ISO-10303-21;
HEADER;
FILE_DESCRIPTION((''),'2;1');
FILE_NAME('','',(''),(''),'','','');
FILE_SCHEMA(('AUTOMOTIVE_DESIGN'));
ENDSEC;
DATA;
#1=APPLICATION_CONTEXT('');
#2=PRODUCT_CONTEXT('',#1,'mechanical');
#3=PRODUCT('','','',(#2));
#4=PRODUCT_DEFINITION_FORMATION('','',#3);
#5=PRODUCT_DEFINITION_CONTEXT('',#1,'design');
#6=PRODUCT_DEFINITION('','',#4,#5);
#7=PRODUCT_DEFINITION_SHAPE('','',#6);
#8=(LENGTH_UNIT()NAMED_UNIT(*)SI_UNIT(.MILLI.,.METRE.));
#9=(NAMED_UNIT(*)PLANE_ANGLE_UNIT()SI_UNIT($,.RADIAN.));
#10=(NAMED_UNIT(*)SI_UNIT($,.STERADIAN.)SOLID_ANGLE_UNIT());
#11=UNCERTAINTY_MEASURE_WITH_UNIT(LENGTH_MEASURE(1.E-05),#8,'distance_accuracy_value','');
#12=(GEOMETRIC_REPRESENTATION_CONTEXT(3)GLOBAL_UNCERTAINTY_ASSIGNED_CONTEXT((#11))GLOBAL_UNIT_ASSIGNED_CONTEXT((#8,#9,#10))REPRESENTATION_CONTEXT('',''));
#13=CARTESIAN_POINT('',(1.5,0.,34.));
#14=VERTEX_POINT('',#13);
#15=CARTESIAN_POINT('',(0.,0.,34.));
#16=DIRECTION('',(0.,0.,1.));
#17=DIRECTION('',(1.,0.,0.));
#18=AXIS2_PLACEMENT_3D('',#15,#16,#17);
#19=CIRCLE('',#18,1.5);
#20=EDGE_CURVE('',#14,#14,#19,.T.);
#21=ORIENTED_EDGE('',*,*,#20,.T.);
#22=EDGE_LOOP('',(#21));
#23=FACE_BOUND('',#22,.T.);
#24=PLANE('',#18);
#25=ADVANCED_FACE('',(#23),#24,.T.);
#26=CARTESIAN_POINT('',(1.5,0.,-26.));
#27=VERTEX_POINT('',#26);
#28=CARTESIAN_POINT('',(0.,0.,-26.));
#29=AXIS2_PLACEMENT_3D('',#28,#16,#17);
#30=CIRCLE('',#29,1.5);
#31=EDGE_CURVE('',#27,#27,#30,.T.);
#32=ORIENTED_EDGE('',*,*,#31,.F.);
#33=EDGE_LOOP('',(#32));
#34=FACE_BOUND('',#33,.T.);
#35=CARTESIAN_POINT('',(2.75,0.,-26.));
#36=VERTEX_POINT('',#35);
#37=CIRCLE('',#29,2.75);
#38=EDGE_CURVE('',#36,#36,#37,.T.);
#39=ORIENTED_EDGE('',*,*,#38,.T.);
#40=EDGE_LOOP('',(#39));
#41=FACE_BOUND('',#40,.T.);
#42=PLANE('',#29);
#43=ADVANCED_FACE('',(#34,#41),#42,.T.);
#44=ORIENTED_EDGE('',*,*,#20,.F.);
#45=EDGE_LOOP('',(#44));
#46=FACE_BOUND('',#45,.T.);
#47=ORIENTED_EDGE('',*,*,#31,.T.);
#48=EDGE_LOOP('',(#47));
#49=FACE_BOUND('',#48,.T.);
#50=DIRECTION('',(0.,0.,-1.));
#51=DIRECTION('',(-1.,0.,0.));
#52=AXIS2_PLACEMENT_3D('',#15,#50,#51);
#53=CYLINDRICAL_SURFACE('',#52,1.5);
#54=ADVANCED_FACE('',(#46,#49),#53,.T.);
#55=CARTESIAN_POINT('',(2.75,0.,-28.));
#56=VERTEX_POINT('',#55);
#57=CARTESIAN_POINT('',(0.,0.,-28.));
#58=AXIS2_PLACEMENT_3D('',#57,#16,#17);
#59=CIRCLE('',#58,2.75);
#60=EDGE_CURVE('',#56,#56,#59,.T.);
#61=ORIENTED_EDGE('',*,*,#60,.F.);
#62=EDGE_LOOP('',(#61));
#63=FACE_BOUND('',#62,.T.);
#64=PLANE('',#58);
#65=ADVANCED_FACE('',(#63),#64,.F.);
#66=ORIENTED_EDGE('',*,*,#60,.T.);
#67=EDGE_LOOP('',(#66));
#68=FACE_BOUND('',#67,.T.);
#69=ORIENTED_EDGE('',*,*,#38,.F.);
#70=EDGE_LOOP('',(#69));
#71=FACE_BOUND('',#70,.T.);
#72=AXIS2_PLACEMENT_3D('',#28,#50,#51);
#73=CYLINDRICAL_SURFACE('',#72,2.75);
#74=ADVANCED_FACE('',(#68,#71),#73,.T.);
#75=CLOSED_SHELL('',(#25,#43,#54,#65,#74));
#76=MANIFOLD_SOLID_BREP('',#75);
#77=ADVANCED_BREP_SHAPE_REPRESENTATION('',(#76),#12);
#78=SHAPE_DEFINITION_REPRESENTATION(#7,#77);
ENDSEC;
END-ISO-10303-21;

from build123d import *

# Parameters (mm, degrees)
M3X60_START       = -26
SKETCH_1_R        = 1.5
M3X60_DEPTH       = 60
EXTRUDE_START     = -28
SKETCH_2_R        = 2.75
EXTRUDE_271_DEPTH = 2


with BuildPart() as part:
    # 草图1 → M3x60光杆转轴简化 (new body)
    with BuildSketch(Plane.XY.offset(M3X60_START)):
        Circle(SKETCH_1_R)
    extrude(amount=M3X60_DEPTH)

    # 草图2 → Extrude 271 (add)
    with BuildSketch(Plane.XY.offset(EXTRUDE_START)):
        Circle(SKETCH_2_R)
    extrude(amount=EXTRUDE_271_DEPTH)


solid = part.part
